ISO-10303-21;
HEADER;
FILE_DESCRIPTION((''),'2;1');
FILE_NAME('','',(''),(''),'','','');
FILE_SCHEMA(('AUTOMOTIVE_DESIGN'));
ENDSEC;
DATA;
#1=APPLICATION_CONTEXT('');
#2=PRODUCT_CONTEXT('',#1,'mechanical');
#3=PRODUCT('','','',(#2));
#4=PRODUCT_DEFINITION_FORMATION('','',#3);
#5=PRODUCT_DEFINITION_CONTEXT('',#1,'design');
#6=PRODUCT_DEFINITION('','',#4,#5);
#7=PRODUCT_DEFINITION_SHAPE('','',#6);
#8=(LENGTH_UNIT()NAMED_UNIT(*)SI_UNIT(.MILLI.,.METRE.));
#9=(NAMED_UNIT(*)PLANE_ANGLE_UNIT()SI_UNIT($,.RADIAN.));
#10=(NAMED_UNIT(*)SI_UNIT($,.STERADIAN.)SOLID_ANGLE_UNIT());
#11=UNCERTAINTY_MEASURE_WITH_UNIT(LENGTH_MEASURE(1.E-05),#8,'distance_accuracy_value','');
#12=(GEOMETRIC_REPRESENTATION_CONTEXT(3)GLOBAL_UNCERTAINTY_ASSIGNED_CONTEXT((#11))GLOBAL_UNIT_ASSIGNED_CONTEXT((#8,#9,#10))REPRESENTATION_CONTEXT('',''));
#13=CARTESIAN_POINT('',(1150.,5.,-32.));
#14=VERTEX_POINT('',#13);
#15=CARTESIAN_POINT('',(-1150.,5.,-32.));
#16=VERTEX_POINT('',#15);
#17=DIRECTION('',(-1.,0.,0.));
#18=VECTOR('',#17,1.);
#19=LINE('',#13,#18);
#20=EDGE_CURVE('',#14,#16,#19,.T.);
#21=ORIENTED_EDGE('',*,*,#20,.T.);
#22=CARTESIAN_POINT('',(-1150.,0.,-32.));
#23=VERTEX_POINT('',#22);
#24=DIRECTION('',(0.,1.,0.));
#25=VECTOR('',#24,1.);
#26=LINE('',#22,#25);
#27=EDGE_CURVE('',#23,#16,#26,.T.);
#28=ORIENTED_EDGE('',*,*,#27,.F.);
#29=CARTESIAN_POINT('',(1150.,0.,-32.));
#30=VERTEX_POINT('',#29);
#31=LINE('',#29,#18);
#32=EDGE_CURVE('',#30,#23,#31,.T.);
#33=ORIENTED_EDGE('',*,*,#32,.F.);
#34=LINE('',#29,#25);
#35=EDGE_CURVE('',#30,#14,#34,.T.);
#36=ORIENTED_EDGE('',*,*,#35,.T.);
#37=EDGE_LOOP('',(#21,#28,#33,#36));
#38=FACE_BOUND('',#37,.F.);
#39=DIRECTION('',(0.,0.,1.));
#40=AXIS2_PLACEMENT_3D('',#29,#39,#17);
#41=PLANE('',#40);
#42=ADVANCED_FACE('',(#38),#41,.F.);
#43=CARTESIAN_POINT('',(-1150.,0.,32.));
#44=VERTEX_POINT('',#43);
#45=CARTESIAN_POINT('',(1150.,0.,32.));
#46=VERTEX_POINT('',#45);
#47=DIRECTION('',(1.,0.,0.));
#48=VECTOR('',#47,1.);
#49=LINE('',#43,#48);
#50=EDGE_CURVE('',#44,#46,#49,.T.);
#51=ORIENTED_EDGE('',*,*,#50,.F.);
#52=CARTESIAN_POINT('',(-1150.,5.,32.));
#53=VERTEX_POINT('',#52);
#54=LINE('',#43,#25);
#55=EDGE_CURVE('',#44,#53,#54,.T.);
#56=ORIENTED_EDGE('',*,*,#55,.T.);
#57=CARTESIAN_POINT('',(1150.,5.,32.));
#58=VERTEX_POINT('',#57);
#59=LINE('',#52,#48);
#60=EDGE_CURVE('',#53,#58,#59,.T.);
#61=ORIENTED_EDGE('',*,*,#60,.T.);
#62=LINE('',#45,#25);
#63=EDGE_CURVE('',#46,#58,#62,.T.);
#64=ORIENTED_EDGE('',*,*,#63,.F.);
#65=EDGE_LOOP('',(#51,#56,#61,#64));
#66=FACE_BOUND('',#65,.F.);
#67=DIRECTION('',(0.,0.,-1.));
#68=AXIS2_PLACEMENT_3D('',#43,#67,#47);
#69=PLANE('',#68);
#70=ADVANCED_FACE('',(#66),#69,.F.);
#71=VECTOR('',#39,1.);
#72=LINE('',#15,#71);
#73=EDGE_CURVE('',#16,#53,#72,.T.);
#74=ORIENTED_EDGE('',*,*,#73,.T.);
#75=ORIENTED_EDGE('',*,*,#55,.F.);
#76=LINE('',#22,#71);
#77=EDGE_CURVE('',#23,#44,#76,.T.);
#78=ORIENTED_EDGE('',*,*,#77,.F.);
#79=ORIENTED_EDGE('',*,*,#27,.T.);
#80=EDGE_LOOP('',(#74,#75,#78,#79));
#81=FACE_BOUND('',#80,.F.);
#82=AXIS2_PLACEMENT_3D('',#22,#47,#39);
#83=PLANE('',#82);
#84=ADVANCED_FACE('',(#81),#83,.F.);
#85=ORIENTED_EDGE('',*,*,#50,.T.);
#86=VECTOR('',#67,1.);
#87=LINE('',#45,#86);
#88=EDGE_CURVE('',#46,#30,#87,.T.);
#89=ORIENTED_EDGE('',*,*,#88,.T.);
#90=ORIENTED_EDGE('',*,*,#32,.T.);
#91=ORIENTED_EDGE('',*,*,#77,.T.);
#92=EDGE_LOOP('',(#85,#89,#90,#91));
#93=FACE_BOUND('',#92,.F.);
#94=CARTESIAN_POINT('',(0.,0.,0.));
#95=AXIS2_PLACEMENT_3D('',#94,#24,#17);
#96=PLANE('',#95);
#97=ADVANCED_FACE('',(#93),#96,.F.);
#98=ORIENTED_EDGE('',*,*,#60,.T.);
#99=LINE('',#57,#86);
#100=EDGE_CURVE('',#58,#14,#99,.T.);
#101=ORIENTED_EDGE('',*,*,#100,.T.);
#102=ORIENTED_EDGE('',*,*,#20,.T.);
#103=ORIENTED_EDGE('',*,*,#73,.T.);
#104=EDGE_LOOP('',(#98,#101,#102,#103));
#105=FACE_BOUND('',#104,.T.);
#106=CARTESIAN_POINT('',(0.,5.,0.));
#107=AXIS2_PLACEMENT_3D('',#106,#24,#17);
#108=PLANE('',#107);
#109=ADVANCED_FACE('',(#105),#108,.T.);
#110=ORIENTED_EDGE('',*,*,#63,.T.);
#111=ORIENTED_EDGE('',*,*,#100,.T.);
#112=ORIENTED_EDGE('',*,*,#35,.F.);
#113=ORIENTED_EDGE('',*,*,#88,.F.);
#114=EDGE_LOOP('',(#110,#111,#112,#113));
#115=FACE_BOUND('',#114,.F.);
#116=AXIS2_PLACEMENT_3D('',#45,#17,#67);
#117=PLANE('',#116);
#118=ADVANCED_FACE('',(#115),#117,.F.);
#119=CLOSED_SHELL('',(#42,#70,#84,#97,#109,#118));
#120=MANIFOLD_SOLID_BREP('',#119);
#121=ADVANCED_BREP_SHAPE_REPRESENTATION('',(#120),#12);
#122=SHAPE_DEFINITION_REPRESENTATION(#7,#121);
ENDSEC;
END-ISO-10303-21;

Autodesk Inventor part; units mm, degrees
ref_plane "YZ Plane" through (0, 0, 0) normal (1, 0, 0) x (0, 1, 0)
ref_plane "XZ Plane" through (0, 0, 0) normal (0, 1, 0) x (-1, 0, 0)
ref_plane "XY Plane" through (0, 0, 0) normal (0, 0, 1) x (1, 0, 0)
sketch "Эскиз1" plane through (0, 0, 0) normal (0, 1, 0) x (-1, 0, 0)
  line L0 (1150, 32) -> (-1150, 32)
  line L1 (-1150, 32) -> (-1150, -32)
  line L2 (-1150, -32) -> (1150, -32)
  line L3 (1150, -32) -> (1150, 32)
  line L4 (1150, 32) -> (-1150, -32) construction
  line L5 (-1150, 32) -> (1150, -32) construction
  point P0 (0, 0)
  dimension "d0" = 2300
  dimension "d1" = 64
extrude "Пластина1" add sketch "Эскиз1" along normal blind 5
equation "\"d2\" = Толщина"
equation "\"Радиус_гибки\" = Толщина"
equation "\"Ширина_просечки\" = Толщина"
equation "\"Глубина_просечки\" = 0.5 * Толщина"
equation "\"Радиус_перехода\" = Радиус_гибки"
equation "\"Радиус_Якоби\" = Радиус_гибки"
equation "\"Размер_зазора\" = Толщина"
equation "\"Толщина\" = 5"
properties part number "GBK bottom 0131" material "Steel"
